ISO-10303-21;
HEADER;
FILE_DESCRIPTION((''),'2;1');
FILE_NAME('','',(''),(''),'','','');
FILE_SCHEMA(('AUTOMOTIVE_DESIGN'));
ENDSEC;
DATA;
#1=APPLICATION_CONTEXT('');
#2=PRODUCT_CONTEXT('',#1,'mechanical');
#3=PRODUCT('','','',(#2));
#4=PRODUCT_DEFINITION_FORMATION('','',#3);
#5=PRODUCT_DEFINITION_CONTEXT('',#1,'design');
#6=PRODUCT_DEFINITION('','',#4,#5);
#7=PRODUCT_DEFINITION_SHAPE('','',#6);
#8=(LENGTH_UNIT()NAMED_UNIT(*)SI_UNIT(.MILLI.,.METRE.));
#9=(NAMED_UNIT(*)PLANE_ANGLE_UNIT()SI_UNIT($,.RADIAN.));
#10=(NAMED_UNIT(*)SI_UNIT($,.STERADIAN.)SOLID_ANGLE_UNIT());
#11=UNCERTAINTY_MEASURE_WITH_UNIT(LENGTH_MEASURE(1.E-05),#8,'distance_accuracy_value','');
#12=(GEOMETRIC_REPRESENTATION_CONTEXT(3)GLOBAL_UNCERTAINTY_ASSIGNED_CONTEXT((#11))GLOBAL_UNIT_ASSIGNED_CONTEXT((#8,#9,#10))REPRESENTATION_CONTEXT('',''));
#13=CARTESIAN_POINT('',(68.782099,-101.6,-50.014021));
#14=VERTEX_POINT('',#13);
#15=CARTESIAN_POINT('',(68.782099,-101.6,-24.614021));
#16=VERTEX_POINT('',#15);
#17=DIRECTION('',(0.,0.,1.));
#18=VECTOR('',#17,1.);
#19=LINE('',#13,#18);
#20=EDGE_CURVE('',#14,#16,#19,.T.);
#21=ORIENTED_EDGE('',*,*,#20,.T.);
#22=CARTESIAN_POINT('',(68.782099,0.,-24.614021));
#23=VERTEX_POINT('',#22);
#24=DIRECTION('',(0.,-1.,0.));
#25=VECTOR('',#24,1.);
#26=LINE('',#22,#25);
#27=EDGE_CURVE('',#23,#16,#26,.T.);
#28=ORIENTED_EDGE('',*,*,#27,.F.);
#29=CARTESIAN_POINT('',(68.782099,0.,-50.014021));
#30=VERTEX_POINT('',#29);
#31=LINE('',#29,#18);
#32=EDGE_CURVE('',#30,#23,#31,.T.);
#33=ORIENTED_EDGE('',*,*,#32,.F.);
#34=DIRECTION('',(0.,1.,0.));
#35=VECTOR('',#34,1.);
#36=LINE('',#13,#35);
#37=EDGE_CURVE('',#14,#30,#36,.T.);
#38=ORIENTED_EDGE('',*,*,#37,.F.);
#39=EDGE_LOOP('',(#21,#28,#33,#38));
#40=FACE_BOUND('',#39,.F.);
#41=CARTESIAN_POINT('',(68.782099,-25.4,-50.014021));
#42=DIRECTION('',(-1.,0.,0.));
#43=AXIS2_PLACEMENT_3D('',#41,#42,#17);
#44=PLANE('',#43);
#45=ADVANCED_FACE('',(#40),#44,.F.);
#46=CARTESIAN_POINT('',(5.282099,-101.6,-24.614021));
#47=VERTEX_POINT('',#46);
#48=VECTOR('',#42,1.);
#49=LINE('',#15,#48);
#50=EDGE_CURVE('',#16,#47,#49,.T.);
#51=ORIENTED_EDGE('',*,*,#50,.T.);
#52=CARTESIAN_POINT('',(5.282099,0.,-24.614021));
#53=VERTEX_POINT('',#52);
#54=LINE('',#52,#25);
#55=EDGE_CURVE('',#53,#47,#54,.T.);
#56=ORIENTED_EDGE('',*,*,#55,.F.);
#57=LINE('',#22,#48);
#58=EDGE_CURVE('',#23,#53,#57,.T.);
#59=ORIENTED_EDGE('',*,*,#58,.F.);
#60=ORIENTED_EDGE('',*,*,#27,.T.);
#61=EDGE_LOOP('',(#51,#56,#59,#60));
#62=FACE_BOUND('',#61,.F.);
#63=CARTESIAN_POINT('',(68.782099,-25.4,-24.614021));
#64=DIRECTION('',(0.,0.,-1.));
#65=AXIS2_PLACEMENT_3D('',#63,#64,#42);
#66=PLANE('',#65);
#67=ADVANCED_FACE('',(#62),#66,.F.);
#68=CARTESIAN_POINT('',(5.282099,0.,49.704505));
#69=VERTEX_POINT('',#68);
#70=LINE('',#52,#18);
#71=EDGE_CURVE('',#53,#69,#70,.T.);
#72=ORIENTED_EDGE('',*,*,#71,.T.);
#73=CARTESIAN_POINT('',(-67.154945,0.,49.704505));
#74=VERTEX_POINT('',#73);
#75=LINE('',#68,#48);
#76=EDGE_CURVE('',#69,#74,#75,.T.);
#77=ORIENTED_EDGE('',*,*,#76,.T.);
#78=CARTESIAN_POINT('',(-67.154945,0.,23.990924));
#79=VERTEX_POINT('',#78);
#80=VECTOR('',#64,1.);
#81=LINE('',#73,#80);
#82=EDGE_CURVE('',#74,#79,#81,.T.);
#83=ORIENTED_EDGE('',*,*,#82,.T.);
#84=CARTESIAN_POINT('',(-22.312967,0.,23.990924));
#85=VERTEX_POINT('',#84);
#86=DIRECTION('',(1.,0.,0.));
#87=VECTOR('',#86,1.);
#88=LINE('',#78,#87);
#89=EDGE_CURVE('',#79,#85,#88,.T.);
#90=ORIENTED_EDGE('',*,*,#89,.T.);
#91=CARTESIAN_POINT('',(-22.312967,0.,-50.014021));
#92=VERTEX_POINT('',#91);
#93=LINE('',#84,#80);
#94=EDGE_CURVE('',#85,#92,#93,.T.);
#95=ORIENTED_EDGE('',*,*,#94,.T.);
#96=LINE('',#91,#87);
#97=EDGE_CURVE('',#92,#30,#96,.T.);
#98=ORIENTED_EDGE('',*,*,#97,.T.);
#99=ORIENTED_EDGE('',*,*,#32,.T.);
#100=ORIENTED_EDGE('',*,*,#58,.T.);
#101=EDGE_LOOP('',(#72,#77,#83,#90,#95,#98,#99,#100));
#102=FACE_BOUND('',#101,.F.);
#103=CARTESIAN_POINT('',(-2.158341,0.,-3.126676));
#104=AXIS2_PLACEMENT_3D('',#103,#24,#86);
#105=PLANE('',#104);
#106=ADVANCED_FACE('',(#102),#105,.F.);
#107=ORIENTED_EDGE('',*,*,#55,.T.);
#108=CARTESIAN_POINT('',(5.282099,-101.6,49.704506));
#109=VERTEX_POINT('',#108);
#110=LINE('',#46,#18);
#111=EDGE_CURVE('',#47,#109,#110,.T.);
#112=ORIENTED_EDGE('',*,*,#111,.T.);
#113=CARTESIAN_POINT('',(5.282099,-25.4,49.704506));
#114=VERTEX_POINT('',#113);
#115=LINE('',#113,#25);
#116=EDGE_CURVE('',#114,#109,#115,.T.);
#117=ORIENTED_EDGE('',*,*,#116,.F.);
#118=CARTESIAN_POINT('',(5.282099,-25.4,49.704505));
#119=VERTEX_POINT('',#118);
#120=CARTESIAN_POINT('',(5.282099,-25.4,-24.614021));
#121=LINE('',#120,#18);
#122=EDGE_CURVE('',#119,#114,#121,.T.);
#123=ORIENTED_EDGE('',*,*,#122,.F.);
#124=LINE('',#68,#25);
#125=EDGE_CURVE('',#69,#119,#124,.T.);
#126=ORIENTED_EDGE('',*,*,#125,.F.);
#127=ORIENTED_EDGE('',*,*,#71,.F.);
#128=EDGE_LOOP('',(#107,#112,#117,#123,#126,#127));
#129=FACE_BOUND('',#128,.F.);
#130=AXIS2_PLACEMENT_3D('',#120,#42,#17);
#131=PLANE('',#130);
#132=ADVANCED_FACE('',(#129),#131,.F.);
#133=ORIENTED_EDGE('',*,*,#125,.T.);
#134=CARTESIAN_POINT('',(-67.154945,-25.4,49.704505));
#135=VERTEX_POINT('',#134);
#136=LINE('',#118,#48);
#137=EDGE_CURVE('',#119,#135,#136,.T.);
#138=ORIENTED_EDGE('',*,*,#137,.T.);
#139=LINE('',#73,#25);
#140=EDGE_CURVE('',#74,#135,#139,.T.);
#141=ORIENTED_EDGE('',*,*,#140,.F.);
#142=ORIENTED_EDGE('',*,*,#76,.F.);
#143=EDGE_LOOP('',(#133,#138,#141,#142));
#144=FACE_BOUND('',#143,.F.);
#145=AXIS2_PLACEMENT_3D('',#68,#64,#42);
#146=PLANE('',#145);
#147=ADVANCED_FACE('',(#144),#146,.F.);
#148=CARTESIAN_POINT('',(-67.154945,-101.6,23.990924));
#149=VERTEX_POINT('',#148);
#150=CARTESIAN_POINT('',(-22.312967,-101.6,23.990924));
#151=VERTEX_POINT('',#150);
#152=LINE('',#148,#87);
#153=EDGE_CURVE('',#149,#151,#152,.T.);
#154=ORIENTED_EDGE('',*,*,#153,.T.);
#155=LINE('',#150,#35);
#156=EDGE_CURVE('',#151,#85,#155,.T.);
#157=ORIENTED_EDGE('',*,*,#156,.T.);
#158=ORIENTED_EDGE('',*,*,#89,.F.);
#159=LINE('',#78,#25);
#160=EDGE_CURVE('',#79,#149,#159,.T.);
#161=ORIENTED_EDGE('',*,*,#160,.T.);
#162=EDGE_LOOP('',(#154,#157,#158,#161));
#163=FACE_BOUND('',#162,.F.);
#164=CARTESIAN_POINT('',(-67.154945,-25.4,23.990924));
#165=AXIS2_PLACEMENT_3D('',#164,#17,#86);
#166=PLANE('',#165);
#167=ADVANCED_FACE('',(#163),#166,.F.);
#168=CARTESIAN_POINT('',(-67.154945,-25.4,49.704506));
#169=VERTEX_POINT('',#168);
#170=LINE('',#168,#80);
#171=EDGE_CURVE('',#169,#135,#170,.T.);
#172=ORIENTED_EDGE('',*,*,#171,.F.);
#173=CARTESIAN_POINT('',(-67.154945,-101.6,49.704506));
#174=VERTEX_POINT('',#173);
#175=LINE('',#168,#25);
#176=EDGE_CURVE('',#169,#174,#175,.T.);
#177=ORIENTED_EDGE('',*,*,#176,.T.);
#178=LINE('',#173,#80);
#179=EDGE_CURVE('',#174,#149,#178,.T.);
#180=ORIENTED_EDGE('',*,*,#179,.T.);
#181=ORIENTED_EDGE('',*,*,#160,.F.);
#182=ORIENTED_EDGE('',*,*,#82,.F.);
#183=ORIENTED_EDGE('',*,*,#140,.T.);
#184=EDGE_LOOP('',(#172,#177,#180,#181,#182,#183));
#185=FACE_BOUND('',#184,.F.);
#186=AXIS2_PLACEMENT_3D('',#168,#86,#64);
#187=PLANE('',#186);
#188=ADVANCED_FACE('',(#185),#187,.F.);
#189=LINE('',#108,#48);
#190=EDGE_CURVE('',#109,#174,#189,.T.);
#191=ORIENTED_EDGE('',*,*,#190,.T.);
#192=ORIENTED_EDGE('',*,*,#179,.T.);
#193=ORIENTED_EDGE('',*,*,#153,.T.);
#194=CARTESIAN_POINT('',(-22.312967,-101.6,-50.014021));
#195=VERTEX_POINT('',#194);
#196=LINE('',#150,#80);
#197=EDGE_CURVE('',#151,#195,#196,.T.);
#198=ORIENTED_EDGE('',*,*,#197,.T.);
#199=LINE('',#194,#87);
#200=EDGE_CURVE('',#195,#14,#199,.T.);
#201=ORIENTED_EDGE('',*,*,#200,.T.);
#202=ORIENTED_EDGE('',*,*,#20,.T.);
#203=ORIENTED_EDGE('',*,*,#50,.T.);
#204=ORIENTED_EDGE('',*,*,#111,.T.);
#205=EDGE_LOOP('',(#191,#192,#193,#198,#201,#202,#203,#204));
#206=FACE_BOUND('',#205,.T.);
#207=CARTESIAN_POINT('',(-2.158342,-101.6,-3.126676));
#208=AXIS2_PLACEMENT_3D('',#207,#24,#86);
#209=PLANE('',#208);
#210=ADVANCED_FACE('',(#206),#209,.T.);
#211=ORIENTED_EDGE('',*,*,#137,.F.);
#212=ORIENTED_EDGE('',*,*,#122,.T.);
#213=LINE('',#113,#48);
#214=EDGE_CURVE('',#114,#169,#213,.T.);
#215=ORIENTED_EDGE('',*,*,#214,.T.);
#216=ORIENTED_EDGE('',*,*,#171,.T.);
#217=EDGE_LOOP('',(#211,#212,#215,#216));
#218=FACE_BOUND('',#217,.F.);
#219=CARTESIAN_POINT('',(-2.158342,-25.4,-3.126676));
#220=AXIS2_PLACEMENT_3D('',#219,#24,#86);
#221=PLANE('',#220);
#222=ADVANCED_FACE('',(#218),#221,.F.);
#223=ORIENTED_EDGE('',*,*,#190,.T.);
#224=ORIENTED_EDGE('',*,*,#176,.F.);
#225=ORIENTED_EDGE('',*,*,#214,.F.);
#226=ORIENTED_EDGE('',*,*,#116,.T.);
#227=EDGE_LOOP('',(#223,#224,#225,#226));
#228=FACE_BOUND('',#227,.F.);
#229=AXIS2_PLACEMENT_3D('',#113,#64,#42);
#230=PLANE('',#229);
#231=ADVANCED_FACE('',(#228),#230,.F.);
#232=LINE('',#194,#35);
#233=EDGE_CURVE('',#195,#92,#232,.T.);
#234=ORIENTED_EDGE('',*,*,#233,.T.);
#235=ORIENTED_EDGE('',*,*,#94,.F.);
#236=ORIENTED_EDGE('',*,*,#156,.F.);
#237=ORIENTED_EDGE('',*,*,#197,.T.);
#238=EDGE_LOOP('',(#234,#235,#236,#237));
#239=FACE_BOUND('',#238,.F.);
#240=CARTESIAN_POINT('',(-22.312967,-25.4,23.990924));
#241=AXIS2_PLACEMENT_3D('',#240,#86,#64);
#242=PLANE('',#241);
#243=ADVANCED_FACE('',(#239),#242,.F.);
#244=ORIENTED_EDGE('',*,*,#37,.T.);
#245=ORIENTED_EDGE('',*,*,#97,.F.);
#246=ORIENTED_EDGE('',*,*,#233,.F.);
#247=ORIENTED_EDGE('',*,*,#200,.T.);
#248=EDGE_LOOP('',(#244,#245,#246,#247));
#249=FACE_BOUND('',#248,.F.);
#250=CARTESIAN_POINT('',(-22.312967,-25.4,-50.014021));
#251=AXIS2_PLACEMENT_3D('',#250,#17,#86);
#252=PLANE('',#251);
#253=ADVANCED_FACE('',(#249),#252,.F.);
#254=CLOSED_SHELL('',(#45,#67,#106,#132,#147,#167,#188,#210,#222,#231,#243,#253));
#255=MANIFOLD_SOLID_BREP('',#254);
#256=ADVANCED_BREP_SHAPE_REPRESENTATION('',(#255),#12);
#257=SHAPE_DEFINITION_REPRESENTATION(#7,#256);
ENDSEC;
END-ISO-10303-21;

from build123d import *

# Parameters (mm, degrees)
F1_DEPTH = 25.4
F2_DEPTH = 76.2


with BuildPart() as f1:
    # F0 (on Front) → F1 (new body)
    with BuildSketch(Plane.XZ):
        Polygon((5.282099, 49.704505), (-67.154945, 49.704505), (-67.154945, 23.990924), (-22.312967, 23.990924), (-22.312967, -50.014021), (68.782099, -50.014021), (68.782099, -24.614021), (5.282099, -24.614021), align=None)
    extrude(amount=F1_DEPTH)

    # F1_face (on face) → F2 (join)
    with BuildSketch(Plane(origin=(-2.769924, -25.4, -3.28443), x_dir=(1, 0, 0), z_dir=(0, -1, 0))):
        Polygon((71.552023, -46.729591), (71.552023, -21.329591), (8.052023, -21.329591), (8.052023, 52.988936), (-64.385021, 52.988936), (-64.385021, 27.275354), (-19.543043, 27.275354), (-19.543043, -46.729591), align=None)
    extrude(amount=F2_DEPTH)


solid = f1.part
